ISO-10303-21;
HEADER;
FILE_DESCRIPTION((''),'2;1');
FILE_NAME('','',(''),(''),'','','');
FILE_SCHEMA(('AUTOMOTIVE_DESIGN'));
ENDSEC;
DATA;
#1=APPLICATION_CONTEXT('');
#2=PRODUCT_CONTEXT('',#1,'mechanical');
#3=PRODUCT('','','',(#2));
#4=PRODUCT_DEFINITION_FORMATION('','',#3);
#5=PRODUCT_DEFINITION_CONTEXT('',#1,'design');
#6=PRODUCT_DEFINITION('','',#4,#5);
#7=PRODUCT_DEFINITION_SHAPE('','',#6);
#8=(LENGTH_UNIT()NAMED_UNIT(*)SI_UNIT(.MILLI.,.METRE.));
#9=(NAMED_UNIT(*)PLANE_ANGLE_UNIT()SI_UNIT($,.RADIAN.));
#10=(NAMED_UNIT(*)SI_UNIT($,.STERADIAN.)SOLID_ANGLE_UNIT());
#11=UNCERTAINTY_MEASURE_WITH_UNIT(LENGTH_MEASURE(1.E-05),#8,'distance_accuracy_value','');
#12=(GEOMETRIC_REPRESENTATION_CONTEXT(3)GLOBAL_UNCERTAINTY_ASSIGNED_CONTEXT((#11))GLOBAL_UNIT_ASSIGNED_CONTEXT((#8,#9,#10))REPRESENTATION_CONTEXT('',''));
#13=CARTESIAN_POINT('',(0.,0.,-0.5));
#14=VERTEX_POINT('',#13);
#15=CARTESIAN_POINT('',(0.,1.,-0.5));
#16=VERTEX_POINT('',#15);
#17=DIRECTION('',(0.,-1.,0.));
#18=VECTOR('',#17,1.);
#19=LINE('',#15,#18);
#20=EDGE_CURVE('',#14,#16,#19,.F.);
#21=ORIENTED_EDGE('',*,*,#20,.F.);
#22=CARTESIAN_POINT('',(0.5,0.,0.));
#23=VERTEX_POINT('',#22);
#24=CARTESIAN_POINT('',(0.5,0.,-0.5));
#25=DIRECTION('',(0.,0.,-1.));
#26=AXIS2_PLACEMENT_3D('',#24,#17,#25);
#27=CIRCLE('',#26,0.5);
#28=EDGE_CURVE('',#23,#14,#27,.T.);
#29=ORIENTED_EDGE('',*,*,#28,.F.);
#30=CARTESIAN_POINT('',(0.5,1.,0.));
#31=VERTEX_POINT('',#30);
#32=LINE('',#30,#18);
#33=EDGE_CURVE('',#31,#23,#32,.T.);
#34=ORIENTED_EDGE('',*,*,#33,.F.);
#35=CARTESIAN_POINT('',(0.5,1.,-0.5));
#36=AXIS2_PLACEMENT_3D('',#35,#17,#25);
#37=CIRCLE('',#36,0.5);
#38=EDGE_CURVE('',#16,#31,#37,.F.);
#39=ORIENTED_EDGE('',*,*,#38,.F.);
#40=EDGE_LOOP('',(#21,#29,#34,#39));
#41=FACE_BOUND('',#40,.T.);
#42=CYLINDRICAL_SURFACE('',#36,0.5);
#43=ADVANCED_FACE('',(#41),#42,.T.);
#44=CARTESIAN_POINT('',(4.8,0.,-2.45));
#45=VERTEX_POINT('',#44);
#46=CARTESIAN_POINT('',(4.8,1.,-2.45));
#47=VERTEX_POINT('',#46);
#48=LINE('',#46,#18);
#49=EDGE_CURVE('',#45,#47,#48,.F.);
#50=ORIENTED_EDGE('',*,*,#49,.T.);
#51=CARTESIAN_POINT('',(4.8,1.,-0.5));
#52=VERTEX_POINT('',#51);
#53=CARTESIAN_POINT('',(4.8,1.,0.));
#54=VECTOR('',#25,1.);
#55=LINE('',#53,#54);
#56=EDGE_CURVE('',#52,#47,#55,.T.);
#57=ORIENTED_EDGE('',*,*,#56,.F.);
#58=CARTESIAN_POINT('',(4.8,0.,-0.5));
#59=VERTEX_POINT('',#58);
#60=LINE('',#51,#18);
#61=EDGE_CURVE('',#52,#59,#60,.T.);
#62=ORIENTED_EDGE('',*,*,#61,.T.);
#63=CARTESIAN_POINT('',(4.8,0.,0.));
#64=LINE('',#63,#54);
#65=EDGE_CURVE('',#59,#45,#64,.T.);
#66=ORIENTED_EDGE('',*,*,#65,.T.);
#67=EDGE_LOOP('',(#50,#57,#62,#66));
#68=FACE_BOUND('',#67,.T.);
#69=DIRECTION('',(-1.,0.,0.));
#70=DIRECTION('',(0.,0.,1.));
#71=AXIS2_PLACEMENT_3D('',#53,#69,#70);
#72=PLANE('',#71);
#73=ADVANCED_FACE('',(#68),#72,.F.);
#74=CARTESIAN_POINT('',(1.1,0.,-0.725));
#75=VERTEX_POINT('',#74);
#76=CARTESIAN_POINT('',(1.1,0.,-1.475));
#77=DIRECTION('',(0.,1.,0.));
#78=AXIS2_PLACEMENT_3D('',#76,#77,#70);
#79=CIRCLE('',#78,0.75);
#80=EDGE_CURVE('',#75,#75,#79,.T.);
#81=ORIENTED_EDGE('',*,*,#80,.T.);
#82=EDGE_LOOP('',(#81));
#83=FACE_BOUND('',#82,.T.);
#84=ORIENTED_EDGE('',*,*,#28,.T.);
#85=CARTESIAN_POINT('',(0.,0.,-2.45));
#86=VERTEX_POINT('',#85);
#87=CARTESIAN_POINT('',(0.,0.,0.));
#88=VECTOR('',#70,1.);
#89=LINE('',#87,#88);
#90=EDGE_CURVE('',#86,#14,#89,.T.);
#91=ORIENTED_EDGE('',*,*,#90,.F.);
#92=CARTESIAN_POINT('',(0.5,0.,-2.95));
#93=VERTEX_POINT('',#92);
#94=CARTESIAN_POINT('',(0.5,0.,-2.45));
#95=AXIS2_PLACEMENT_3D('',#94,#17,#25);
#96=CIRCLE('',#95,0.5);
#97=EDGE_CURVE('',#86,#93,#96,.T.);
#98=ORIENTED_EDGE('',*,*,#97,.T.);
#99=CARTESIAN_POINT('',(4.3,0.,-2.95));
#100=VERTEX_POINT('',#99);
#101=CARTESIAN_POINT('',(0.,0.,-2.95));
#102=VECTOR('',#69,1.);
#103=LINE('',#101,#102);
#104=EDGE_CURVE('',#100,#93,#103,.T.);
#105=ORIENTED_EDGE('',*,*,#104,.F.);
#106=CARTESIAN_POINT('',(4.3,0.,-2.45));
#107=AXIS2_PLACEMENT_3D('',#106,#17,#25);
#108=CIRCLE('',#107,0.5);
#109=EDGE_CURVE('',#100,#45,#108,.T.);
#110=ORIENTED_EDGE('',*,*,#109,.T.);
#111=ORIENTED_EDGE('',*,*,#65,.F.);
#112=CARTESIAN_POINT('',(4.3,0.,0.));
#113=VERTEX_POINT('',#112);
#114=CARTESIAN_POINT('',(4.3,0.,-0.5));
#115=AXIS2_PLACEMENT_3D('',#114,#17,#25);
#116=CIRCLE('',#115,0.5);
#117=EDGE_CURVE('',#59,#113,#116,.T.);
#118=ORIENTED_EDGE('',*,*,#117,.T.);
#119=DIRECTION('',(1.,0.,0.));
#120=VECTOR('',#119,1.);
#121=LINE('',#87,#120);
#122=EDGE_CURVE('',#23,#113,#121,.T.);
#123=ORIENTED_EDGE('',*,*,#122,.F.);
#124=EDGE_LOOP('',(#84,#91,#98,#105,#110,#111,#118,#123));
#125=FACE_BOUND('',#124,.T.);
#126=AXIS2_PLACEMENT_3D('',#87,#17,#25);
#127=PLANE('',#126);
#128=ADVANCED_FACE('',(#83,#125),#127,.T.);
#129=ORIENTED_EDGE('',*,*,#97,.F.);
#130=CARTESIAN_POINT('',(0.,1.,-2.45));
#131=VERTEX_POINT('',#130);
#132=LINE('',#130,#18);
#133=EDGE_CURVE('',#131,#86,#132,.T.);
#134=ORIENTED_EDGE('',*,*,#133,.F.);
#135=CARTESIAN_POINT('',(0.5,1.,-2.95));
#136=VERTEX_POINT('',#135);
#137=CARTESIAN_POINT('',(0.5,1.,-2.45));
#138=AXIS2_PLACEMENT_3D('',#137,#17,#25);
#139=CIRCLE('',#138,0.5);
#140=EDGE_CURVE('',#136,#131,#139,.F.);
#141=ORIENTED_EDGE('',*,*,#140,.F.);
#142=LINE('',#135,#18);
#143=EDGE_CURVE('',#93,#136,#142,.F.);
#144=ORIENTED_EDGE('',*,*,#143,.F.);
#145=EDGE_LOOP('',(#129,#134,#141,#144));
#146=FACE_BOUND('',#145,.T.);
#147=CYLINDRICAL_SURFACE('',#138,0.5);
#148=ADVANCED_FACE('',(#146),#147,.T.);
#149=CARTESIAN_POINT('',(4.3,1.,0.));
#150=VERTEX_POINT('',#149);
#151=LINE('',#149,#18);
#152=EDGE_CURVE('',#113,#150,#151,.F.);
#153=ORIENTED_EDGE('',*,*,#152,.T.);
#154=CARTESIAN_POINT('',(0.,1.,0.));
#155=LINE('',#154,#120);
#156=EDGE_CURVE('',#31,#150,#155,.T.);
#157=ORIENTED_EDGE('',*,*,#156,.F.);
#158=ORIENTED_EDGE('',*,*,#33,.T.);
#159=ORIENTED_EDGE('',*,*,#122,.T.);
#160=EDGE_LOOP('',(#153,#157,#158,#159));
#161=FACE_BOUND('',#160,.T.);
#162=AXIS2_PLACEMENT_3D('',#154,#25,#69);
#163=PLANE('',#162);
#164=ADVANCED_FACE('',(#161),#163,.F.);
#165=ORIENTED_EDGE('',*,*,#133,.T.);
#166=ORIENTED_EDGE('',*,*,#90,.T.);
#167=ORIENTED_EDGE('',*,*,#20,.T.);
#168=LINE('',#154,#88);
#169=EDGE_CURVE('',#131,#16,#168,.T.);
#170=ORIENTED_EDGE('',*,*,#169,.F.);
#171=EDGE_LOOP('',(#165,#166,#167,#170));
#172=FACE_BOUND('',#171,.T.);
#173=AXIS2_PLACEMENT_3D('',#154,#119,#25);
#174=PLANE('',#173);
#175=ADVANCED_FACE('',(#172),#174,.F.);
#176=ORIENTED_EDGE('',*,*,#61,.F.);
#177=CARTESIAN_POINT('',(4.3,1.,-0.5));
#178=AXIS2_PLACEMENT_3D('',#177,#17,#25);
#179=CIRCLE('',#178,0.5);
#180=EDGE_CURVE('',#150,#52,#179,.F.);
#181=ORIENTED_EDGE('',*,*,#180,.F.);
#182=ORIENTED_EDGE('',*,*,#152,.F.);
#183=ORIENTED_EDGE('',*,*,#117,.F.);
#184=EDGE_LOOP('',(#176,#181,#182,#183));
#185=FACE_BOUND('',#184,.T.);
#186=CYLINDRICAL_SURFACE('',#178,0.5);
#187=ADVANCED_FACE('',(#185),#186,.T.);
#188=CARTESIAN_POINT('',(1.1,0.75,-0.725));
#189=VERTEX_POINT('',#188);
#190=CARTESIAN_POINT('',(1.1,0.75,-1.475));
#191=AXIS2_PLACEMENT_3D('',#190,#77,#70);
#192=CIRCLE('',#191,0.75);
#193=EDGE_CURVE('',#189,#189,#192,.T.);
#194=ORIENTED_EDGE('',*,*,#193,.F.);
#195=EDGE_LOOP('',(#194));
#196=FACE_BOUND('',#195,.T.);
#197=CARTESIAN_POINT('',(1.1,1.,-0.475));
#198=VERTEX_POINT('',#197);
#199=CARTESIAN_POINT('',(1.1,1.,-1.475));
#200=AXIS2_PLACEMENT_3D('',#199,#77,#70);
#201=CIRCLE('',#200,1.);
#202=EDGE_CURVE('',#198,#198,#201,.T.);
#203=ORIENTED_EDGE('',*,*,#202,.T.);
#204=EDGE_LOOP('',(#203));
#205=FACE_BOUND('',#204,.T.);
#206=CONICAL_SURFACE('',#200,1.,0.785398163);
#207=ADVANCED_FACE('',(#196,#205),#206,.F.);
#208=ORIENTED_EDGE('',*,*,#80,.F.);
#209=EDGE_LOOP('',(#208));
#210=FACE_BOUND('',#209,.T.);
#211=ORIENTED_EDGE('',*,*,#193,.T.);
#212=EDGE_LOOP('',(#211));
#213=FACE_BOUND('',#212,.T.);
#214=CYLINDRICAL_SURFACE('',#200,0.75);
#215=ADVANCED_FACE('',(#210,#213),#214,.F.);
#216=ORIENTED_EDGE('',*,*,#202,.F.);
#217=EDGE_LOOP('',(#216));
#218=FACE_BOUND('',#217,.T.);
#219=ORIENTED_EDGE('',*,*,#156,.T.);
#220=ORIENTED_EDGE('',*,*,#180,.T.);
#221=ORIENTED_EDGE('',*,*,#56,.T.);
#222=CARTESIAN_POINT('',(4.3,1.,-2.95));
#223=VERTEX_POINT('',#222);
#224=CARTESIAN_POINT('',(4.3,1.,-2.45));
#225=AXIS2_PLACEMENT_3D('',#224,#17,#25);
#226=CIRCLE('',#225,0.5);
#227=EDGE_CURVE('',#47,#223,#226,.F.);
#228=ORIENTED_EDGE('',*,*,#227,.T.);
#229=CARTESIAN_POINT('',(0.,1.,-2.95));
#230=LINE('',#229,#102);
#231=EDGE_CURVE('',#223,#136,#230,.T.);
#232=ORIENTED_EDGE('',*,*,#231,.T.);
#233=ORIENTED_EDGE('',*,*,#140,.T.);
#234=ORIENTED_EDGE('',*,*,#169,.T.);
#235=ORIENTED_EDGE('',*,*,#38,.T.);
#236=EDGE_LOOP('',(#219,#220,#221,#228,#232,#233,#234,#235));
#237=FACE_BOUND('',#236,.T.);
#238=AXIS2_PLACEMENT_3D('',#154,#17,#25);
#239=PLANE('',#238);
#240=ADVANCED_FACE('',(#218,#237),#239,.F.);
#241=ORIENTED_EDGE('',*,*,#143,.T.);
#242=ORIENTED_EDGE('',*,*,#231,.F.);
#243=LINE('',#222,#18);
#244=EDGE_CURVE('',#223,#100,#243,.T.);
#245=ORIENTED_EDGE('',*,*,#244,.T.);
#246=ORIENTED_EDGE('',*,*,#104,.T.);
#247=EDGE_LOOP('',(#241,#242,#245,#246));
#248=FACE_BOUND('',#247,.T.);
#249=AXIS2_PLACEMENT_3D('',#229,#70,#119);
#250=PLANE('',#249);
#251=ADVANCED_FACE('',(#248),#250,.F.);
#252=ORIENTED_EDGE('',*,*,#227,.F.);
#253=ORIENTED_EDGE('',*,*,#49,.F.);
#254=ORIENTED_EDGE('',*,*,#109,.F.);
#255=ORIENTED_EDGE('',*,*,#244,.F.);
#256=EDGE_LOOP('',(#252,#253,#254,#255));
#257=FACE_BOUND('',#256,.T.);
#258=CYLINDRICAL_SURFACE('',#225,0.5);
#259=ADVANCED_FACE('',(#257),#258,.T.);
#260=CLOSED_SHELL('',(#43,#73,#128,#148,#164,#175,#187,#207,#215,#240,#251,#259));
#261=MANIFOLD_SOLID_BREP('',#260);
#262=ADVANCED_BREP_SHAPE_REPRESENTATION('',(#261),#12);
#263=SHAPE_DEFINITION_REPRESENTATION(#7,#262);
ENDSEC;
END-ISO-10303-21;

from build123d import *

# Parameters (mm, degrees)
SKETCH1_W                                       = 4.8
SKETCH1_H                                       = 2.95
BOSS_EXTRUDE1_DEPTH                             = 1
CSK_FOR_M2_FLAT_HEAD_MACHINE_SCREW1_D           = 1.5
CSK_FOR_M2_FLAT_HEAD_MACHINE_SCREW1_CSINK_D     = 2
CSK_FOR_M2_FLAT_HEAD_MACHINE_SCREW1_CSINK_ANGLE = 90
FILLET1_R                                       = 0.5


with BuildPart() as part:
    # Sketch1 → Boss-Extrude1 (new body)
    with BuildSketch(Plane(origin=(0, 0, 0), x_dir=(1, 0, 0), z_dir=(0, 1, 0))):
        with Locations((2.4, 1.475)):
            Rectangle(SKETCH1_W, SKETCH1_H)
    extrude(amount=BOSS_EXTRUDE1_DEPTH)

    # CSK for M2 Flat Head Machine Screw1 (through all)
    with Locations(Plane(origin=(1.1, 1, -1.475), x_dir=(0, 0, 1), z_dir=(0, 1, 0))):
        with Locations((0, 0)):
            CounterSinkHole(CSK_FOR_M2_FLAT_HEAD_MACHINE_SCREW1_D / 2, CSK_FOR_M2_FLAT_HEAD_MACHINE_SCREW1_CSINK_D / 2, counter_sink_angle=CSK_FOR_M2_FLAT_HEAD_MACHINE_SCREW1_CSINK_ANGLE)

    # Fillet1
    fillet1_edges = [part.edges().sort_by_distance(p)[0] for p in [
        (0, 0.5, -2.95),
        (4.8, 0.5, -2.95),
        (4.8, 0.5, 0),
        (0, 0.5, 0),
    ]]
    fillet(fillet1_edges, radius=FILLET1_R)


solid = part.part
